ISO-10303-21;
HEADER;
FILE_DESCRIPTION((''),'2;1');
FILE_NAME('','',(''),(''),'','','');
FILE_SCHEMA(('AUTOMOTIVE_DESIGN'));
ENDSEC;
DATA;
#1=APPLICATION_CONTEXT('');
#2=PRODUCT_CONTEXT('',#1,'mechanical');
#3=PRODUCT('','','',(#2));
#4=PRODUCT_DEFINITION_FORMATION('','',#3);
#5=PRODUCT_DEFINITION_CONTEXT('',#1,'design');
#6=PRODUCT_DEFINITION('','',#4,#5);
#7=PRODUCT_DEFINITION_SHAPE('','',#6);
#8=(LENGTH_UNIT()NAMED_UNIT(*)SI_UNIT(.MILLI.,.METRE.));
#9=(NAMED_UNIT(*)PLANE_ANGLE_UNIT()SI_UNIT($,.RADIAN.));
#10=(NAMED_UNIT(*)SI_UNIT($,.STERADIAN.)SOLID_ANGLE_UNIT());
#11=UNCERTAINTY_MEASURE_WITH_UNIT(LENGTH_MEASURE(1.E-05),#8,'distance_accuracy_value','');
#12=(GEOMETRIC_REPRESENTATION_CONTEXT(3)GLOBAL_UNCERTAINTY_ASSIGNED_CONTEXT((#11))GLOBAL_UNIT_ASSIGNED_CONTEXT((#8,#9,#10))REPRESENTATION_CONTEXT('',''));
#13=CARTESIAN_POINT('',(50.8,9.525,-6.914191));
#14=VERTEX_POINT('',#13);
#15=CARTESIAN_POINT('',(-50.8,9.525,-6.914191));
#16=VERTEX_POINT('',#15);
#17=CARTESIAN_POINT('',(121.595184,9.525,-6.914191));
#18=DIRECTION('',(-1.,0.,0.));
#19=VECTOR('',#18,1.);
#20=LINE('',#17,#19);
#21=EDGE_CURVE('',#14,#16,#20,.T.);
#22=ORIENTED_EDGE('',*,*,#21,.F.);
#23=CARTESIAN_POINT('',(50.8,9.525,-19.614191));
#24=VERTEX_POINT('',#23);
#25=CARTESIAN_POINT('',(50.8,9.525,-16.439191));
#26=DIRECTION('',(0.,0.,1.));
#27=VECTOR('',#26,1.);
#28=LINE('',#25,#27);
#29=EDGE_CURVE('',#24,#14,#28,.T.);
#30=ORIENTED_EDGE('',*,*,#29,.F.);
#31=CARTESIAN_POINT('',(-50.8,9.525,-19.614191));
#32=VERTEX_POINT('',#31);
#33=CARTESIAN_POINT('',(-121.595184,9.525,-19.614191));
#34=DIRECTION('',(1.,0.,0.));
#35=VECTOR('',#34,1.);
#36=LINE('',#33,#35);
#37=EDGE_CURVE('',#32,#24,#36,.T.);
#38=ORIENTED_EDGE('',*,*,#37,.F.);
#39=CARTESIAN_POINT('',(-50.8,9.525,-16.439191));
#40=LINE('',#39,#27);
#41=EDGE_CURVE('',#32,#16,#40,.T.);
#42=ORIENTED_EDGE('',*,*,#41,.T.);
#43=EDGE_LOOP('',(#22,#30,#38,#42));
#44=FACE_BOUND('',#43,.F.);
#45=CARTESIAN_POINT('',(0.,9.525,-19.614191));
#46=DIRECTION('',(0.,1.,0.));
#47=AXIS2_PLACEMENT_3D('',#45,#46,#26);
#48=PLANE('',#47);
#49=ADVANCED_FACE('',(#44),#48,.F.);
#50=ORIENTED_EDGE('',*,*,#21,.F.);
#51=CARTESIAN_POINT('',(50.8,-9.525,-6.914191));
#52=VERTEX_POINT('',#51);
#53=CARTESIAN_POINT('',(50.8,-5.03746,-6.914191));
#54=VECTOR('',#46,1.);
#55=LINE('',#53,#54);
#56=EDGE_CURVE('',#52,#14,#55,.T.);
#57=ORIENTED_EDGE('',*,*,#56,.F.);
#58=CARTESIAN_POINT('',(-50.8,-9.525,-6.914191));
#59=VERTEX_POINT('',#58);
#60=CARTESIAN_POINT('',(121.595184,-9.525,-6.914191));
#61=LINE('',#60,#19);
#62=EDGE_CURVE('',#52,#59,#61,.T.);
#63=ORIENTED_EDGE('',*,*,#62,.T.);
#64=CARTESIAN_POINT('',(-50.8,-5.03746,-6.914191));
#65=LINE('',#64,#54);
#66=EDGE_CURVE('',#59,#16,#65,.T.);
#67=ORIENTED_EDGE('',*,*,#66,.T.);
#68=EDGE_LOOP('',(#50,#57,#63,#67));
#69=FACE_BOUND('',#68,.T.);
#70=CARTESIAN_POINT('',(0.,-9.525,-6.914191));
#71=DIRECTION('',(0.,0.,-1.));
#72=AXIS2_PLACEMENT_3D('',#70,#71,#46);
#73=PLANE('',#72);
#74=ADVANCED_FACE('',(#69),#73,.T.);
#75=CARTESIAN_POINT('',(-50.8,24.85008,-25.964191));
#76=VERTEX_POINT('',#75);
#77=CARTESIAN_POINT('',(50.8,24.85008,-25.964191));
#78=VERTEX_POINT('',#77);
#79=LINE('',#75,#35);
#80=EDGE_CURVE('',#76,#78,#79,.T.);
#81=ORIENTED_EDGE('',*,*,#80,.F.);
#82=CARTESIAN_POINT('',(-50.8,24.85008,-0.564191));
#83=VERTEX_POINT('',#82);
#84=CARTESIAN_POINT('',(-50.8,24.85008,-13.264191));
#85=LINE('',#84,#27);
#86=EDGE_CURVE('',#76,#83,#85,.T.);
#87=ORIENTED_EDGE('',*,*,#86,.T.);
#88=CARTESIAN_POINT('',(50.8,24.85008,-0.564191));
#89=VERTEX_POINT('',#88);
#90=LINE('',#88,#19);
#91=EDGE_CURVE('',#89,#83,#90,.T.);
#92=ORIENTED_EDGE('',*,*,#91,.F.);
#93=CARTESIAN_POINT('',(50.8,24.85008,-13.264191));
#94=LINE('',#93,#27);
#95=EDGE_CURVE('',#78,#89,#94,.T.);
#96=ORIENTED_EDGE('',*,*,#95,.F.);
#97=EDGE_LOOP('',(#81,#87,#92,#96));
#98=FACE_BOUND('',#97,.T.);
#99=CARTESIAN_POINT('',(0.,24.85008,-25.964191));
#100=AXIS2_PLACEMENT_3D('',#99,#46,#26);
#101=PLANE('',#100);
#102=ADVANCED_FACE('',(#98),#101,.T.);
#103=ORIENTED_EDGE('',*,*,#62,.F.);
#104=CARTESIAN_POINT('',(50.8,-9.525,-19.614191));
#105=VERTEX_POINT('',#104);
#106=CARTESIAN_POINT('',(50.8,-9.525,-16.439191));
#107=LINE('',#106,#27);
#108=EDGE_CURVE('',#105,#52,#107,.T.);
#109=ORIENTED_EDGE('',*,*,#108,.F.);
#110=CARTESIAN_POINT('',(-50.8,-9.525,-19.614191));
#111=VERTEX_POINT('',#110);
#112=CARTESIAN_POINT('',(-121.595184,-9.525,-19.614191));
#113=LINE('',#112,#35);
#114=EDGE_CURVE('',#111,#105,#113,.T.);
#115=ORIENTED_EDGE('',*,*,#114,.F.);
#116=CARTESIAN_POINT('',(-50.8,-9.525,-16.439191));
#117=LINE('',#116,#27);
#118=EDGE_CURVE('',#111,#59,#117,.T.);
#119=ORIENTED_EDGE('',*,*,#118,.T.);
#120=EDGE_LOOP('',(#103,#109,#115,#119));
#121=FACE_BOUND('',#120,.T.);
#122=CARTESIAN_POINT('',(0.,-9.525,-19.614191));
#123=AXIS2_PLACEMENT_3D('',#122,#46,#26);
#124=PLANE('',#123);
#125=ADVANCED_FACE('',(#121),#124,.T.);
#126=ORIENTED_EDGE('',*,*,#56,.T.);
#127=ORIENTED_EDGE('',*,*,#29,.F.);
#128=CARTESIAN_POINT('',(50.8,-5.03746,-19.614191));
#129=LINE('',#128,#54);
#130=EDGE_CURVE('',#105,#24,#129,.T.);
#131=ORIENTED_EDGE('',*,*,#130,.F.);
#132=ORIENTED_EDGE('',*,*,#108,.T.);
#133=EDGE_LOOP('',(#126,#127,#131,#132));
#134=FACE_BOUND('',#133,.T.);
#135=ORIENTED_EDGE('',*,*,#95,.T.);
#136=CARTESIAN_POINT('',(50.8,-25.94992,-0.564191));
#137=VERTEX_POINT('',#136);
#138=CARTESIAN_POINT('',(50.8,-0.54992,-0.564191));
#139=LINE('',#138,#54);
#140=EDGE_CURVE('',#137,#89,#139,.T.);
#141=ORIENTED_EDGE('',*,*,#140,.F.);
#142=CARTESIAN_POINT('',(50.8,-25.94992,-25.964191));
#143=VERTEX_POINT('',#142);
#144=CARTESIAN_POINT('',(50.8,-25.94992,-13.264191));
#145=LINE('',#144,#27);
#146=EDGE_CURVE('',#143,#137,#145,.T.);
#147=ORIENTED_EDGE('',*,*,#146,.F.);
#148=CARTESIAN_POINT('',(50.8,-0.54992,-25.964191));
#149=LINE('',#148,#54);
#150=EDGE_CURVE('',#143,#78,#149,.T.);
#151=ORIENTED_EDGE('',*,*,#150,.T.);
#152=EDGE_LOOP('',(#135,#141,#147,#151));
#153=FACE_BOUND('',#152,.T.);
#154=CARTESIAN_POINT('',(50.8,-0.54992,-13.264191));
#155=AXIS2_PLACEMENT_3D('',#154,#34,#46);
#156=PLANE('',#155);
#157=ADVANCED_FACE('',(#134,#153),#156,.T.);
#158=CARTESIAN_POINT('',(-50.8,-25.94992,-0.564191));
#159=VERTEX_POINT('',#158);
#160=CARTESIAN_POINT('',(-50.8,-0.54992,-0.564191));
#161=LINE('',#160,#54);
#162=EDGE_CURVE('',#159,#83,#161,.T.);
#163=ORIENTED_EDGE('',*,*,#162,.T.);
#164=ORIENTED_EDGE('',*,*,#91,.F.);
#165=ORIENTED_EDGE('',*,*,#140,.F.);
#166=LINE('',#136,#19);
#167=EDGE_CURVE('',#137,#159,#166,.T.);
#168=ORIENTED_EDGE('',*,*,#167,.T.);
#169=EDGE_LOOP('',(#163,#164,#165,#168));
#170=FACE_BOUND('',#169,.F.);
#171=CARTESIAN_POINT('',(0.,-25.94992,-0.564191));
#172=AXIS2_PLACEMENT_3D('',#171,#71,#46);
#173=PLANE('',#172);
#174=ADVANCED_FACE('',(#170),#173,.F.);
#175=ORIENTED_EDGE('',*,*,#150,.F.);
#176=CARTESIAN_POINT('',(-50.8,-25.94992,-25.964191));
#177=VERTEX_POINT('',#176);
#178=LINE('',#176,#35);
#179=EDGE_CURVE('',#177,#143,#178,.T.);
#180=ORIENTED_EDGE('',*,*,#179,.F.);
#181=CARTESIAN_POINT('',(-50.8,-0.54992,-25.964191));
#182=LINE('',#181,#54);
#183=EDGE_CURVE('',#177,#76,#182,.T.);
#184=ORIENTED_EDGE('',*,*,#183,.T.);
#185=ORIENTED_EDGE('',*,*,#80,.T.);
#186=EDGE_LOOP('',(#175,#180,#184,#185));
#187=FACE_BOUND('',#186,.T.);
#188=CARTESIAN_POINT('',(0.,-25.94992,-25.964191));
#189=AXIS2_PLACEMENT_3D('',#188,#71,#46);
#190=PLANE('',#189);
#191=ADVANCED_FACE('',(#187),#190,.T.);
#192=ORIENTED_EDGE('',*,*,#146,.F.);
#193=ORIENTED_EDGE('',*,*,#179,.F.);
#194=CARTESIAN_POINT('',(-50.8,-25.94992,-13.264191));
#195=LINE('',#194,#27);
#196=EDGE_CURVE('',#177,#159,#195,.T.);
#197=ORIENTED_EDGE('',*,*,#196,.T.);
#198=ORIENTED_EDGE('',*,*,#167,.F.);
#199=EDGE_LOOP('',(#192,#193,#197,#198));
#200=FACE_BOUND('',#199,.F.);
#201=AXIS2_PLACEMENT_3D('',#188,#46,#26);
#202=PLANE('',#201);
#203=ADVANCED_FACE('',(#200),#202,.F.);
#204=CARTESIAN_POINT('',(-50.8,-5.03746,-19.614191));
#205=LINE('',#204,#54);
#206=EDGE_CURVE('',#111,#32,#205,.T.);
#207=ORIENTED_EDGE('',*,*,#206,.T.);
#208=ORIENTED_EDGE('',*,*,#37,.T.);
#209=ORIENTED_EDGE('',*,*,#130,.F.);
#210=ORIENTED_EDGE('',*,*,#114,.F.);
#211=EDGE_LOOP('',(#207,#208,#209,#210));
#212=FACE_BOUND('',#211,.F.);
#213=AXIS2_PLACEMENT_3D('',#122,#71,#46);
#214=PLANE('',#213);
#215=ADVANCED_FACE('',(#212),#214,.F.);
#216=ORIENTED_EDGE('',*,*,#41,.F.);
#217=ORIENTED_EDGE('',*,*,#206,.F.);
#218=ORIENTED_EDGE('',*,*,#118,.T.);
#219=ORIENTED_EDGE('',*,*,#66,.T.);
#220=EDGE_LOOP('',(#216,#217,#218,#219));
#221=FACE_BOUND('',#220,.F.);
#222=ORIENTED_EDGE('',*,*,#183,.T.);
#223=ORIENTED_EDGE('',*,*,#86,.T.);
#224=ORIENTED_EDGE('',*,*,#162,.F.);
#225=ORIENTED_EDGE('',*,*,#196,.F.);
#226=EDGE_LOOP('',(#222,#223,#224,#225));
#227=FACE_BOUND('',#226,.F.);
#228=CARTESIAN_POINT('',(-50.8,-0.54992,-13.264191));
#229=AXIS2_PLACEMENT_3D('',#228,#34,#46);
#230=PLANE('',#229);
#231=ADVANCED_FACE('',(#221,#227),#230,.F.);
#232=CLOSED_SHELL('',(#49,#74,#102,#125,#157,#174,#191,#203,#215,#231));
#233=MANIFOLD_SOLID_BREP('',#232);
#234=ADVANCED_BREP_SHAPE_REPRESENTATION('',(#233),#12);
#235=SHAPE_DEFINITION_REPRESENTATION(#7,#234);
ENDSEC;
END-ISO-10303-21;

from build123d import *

# Parameters (mm, degrees)
F0_W     = 50.8
F0_H     = 25.4
F1_DEPTH = 50.8
F2_W     = 19.05
F2_H     = 12.7
F3_DEPTH = 121.595184


with BuildPart() as f1:
    # F0 (on Right) → F1 (new body, symmetric)
    with BuildSketch(Plane.YZ):
        with Locations((-0.54992, -13.264191)):
            Rectangle(F0_W, F0_H)
    extrude(amount=F1_DEPTH, both=True)

    # F2 (on Right) → F3 (cut, symmetric)
    with BuildSketch(Plane.YZ):
        with Locations((0, -13.264191)):
            Rectangle(F2_W, F2_H)
    extrude(amount=F3_DEPTH, both=True, mode=Mode.SUBTRACT)


solid = f1.part
